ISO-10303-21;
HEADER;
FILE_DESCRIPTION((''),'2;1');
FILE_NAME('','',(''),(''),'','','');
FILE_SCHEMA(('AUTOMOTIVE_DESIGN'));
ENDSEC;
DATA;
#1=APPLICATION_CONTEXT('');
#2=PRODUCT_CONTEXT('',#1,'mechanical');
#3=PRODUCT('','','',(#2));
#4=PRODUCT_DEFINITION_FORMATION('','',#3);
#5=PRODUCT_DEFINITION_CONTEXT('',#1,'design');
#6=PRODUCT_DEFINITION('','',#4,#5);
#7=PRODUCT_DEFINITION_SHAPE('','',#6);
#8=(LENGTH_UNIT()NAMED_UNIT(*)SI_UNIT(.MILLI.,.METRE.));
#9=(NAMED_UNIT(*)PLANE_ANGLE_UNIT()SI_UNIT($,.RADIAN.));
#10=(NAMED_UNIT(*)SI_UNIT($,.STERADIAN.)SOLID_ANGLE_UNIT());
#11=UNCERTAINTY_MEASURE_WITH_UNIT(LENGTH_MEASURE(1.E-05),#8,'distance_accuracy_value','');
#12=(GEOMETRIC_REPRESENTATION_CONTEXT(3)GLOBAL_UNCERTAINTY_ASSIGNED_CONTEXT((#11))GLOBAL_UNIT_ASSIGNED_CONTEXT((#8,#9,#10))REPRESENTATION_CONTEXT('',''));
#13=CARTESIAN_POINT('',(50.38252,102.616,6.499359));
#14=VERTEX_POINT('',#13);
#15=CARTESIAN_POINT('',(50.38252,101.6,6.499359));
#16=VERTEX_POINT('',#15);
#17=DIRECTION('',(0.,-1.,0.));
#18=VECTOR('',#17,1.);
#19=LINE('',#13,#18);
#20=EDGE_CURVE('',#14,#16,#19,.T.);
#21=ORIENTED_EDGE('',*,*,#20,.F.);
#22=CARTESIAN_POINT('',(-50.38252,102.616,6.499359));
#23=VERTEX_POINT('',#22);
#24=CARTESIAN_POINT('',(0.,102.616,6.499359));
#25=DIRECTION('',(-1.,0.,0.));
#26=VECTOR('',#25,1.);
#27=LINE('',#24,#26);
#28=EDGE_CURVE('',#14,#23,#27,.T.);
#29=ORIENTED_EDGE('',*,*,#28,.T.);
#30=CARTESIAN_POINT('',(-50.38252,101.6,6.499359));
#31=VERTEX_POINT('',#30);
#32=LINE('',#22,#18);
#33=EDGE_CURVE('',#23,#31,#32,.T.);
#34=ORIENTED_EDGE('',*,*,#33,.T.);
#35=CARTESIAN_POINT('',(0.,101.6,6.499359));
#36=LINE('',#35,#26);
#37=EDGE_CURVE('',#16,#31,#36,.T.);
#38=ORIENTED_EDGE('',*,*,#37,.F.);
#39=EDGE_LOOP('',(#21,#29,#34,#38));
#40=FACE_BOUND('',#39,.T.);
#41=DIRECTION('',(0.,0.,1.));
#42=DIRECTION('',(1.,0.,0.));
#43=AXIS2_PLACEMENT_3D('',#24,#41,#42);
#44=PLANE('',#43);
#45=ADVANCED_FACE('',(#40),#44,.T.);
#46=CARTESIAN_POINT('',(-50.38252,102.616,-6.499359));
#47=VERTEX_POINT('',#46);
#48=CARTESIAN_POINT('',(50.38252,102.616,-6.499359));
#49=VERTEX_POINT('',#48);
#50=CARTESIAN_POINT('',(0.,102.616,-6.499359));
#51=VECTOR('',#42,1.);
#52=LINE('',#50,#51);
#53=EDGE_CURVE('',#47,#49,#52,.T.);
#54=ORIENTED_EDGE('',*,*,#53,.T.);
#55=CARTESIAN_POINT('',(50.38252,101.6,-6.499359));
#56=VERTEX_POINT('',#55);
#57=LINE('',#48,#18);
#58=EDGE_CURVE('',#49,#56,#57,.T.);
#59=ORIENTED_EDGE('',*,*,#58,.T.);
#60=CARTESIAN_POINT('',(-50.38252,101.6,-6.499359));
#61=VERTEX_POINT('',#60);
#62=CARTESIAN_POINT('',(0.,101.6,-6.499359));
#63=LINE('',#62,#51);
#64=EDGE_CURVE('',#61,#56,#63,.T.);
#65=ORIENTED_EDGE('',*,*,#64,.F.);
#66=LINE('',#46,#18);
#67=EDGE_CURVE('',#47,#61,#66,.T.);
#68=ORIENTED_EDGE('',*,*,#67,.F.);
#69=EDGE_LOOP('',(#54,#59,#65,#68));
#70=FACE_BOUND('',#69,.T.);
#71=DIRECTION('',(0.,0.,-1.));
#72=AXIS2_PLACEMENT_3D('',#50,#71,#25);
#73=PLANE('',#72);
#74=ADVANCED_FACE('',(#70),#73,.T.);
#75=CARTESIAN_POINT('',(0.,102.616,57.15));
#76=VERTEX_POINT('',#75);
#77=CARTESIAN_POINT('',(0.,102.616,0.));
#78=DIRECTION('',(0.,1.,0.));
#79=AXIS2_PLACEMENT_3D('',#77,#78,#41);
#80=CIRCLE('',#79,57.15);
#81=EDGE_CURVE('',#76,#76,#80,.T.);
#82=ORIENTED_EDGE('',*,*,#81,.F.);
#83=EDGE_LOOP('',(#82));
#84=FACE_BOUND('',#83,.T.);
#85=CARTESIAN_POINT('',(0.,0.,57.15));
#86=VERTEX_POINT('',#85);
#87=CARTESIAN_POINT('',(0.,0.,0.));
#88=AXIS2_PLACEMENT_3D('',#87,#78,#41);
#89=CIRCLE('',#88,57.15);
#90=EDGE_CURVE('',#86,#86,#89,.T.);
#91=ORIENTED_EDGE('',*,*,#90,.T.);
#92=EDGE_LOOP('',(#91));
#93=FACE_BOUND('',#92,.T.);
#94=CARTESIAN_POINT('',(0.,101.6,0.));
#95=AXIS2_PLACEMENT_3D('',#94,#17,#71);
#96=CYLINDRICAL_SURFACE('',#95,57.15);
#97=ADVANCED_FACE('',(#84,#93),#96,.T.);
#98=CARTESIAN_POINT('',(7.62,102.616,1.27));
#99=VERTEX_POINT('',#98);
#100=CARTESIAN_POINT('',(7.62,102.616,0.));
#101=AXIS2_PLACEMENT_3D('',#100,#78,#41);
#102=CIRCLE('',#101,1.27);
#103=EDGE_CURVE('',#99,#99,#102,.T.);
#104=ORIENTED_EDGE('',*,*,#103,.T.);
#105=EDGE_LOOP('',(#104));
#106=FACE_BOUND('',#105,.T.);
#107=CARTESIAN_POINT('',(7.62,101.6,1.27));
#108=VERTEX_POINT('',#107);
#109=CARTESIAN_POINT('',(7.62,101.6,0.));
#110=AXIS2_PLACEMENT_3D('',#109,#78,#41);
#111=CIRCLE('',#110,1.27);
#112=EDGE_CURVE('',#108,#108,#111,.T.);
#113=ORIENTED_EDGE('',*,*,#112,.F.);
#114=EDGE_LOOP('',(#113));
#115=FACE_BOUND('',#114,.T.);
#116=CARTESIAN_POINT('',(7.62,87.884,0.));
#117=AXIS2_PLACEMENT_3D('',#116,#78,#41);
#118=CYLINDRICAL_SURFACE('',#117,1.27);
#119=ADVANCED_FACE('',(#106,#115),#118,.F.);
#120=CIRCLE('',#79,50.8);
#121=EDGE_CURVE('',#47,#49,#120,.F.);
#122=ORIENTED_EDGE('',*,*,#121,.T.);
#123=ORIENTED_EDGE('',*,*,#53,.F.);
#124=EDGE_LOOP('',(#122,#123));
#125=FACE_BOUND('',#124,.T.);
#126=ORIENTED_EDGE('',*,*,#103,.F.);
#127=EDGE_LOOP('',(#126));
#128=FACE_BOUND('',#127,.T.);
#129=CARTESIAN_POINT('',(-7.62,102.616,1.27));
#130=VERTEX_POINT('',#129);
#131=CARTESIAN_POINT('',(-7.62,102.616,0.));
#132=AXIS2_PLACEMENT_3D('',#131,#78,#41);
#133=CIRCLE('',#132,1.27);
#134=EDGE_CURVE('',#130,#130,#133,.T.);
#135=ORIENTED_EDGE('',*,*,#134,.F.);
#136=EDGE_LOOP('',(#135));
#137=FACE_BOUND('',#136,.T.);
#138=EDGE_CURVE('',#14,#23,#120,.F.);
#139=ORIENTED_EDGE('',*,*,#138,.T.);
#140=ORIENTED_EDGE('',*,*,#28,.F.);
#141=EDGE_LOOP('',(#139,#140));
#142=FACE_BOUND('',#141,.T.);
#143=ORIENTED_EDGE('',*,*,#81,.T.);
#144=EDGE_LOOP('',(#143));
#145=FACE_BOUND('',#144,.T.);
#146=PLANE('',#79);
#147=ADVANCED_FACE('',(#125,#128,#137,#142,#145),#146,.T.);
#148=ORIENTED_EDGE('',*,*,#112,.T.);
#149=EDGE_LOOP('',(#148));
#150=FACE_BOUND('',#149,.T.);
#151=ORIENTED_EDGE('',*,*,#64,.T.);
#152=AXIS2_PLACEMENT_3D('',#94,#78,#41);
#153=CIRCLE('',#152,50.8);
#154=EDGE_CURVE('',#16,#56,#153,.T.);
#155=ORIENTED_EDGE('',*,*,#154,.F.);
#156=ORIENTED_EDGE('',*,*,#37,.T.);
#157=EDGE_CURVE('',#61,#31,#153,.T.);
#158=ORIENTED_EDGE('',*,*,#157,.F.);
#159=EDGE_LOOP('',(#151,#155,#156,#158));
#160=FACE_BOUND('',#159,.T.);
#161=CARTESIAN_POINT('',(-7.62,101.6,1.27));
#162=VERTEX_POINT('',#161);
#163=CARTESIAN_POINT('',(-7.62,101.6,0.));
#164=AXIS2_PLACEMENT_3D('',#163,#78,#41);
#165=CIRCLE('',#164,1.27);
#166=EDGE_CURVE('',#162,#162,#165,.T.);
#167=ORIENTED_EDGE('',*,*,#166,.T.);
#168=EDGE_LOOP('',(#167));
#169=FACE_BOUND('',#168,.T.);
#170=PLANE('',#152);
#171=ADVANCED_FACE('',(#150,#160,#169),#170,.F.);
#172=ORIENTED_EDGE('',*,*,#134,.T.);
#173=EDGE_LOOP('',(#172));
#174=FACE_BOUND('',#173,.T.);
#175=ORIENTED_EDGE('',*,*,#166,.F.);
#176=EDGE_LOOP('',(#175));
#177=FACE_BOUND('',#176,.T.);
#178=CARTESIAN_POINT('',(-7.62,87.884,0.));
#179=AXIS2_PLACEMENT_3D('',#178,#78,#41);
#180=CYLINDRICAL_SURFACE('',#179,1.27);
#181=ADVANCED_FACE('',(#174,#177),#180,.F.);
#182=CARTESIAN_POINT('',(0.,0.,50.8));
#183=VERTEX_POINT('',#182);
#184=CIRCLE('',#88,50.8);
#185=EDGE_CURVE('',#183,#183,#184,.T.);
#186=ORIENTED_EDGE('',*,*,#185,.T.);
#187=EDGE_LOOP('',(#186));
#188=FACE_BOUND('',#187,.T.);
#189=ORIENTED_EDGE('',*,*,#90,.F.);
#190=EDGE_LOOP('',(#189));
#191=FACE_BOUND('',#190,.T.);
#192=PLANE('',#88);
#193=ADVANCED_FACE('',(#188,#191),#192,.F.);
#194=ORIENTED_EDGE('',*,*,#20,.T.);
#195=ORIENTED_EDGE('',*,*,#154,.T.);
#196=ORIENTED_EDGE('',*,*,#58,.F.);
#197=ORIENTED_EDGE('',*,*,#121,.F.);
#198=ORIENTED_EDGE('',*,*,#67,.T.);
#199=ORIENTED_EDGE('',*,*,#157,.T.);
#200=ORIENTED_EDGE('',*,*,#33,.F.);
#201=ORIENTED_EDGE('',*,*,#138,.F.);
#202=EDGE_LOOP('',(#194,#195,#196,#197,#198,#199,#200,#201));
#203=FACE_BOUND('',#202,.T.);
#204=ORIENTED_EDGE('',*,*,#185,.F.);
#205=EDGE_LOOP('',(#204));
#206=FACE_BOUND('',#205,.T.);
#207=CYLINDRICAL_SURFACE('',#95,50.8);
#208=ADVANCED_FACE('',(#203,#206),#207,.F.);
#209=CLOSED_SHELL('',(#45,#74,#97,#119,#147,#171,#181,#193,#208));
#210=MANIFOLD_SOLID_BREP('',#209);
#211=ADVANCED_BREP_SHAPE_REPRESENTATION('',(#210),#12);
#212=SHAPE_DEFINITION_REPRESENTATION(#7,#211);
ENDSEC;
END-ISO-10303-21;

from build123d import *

# Parameters (mm, degrees)
SKETCH2_R           = 57.15
SKETCH2_R_2         = 50.8
BOSS_EXTRUDE1_DEPTH = 101.6
SKETCH4_R           = 57.15
SKETCH4_R_2         = 50.8
BOSS_EXTRUDE2_DEPTH = 1.016
SKETCH5_R           = 1.27
CUT_EXTRUDE2_DEPTH  = 14.732


with BuildPart() as part:
    # Sketch2 → Boss-Extrude1 (new body)
    with BuildSketch(Plane(origin=(0, 0, 0), x_dir=(1, 0, 0), z_dir=(0, 1, 0))):
        with Locations(Location((0, 0, 0), (0, 0, 270))):
            Circle(SKETCH2_R)
        with Locations(Location((0, 0, 0), (0, 0, 270))):
            Circle(SKETCH2_R_2, mode=Mode.SUBTRACT)
    extrude(amount=BOSS_EXTRUDE1_DEPTH)

    # Sketch4 → Boss-Extrude2 (add)
    # profile 1 of 2: a face of its own
    with BuildSketch(Plane(origin=(0, 101.6, 0), x_dir=(1, 0, 0), z_dir=(0, 1, 0))):
        with Locations(Location((0, 0, 0), (0, 0, 270))):
            Circle(SKETCH4_R)
        with Locations(Location((0, 0, 0), (0, 0, 172.649423361))):
            Circle(SKETCH4_R_2, mode=Mode.SUBTRACT)
    # profile 2 of 2: a face of its own
    with BuildSketch(Plane(origin=(0, 101.6, 0), x_dir=(1, 0, 0), z_dir=(0, 1, 0))):
        with BuildLine():
            Line((-50.382520142, -6.499358748), (0, -6.499358748))
            Line((0, -6.499358748), (50.382520142, -6.499358748))
            ThreePointArc((50.382520142, -6.499358748), (50.695522599, -3.256376574), (50.8, 0))
            ThreePointArc((50.8, 0), (50.695522599, 3.256376574), (50.382520142, 6.499358748))
            Line((50.382520142, 6.499358748), (-50.382520142, 6.499358748))
            ThreePointArc((-50.382520142, 6.499358748), (-50.8, 0), (-50.382520142, -6.499358748))
        make_face()
    extrude(amount=BOSS_EXTRUDE2_DEPTH)

    # Sketch5 → Cut-Extrude2 (cut)
    with BuildSketch(Plane(origin=(0, 102.616, 0), x_dir=(1, 0, 0), z_dir=(0, 1, 0))):
        with Locations(Location((7.62, 0, 0), (0, 0, 270))):
            Circle(SKETCH5_R)
        with Locations(Location((-7.62, 0, 0), (0, 0, 270))):
            Circle(SKETCH5_R)
    extrude(amount=-CUT_EXTRUDE2_DEPTH, mode=Mode.SUBTRACT)


solid = part.part
